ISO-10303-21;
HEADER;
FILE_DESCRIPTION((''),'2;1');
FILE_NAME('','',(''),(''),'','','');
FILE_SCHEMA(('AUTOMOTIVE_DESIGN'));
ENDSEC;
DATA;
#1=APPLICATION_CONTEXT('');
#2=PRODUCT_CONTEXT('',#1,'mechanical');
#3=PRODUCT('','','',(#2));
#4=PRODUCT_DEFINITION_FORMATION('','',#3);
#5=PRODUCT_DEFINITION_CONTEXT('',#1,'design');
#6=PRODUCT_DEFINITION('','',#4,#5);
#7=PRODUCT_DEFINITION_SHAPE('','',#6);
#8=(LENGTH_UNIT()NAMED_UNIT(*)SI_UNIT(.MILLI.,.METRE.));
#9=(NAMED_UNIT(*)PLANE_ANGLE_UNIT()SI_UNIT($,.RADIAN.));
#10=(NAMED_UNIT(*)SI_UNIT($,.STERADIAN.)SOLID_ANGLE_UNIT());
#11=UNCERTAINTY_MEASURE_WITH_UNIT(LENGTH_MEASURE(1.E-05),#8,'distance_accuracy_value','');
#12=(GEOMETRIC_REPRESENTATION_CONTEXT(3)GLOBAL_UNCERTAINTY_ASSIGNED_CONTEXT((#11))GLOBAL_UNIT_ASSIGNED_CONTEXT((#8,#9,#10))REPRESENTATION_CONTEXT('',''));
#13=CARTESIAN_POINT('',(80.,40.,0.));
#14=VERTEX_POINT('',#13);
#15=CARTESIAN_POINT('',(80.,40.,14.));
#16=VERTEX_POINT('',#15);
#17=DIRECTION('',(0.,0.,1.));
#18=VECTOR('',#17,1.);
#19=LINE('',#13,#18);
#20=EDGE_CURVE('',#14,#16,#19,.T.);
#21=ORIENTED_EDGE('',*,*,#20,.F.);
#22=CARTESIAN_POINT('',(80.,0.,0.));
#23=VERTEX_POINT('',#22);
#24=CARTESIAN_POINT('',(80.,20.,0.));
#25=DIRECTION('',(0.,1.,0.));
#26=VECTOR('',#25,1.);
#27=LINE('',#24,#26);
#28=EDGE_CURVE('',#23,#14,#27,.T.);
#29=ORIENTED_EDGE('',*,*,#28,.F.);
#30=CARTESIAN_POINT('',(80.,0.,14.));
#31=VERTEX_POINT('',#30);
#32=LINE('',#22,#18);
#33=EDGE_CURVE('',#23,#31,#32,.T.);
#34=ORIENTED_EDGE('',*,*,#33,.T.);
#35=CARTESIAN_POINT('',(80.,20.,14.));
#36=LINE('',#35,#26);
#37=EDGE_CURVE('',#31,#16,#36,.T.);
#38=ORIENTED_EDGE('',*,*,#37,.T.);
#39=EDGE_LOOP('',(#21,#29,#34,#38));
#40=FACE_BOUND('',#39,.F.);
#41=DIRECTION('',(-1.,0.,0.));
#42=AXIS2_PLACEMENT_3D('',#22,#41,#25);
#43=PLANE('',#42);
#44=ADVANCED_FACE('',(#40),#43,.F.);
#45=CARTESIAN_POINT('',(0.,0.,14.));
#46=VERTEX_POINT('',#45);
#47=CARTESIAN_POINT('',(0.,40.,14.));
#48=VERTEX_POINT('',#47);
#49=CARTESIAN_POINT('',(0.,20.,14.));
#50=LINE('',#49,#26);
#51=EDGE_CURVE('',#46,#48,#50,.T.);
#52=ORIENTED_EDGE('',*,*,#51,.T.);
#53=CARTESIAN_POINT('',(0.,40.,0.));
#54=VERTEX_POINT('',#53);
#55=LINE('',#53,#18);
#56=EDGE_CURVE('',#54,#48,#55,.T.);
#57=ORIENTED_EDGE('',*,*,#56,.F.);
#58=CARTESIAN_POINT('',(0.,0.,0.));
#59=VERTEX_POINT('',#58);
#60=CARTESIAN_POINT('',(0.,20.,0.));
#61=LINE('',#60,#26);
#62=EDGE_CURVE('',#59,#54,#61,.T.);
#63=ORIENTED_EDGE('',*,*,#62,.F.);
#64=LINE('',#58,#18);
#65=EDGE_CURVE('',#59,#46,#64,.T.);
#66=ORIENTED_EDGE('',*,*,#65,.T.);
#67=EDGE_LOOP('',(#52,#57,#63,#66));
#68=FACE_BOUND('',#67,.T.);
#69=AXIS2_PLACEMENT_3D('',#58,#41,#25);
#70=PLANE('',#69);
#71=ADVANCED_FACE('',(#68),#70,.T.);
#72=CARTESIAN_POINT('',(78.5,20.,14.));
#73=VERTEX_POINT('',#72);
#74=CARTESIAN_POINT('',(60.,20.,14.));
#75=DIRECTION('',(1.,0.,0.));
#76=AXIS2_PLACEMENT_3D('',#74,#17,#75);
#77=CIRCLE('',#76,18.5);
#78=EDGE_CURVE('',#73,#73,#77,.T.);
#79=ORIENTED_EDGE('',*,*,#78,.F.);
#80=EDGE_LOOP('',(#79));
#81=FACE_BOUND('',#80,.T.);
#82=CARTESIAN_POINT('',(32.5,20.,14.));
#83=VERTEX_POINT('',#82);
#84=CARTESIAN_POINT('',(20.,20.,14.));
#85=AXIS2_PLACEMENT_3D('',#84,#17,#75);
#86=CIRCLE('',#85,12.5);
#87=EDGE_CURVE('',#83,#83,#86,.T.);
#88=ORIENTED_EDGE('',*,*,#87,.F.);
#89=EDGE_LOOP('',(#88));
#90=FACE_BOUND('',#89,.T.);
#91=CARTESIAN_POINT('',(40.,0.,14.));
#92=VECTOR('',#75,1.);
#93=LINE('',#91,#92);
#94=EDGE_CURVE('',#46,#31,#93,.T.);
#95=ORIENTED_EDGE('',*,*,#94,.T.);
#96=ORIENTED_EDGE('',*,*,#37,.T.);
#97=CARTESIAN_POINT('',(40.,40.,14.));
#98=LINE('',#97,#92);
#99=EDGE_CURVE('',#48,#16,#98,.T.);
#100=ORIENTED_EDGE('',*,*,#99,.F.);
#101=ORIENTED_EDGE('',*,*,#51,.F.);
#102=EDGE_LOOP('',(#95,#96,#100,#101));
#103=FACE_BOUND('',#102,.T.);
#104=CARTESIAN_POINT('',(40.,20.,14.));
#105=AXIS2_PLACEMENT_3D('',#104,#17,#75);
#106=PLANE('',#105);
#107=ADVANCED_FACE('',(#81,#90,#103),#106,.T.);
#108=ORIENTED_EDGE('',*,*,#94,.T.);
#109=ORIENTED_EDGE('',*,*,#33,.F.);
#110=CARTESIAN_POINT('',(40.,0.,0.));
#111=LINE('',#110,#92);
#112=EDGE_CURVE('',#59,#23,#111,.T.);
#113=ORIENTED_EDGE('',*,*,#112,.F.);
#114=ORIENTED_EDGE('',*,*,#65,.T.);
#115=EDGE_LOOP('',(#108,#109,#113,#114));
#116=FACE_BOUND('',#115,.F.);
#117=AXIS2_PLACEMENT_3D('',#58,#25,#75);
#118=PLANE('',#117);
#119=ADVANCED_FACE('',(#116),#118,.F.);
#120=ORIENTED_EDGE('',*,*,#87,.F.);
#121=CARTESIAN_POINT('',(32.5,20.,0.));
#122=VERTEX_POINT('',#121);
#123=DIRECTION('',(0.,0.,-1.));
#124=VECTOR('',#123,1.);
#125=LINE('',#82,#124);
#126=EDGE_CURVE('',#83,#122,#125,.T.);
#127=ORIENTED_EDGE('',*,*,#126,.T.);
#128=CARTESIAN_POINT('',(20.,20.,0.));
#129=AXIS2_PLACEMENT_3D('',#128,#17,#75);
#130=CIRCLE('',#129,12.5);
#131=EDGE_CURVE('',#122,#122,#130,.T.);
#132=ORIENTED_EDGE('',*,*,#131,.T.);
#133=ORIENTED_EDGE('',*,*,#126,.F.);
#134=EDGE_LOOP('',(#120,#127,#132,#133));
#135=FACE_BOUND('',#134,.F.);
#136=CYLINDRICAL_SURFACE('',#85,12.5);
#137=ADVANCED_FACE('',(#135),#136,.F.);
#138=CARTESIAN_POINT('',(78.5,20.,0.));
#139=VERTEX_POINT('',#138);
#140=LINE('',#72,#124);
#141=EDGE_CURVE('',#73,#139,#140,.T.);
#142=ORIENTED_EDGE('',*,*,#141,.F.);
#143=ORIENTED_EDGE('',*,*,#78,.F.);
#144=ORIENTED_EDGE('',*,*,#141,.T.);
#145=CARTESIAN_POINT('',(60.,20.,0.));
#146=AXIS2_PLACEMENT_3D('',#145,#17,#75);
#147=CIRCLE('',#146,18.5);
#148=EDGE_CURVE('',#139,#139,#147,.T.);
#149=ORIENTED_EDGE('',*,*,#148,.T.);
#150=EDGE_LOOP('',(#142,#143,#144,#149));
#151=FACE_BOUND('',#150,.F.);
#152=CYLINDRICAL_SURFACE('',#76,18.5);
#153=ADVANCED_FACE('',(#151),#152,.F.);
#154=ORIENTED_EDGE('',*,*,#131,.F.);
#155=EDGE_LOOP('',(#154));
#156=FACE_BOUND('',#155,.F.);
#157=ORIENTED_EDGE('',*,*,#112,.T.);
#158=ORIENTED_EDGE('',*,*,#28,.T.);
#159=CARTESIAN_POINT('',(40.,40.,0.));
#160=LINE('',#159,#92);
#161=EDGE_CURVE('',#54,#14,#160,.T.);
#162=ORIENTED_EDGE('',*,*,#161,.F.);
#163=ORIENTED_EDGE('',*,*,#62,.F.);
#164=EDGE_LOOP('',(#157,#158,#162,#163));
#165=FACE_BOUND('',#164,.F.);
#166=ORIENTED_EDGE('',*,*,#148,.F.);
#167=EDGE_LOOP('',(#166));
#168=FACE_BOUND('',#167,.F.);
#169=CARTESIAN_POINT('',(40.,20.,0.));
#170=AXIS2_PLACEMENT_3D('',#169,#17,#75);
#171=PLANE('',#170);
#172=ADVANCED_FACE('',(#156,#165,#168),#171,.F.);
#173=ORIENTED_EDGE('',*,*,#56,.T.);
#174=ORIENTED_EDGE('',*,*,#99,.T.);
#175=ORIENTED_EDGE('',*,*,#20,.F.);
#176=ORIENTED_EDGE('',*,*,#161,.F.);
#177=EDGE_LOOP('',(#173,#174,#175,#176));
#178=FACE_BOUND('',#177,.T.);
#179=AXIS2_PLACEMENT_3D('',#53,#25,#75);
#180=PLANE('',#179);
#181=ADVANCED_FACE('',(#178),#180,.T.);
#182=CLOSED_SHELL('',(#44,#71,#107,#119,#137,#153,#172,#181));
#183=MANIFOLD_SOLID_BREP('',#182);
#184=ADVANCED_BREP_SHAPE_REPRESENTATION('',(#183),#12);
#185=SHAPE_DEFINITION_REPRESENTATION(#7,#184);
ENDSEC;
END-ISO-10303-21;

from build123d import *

# Parameters (mm, degrees)
SKETCH_W        = 80
SKETCH_H        = 40
PAD_DEPTH       = 14
SKETCH001_R     = 12.5
POCKET_DEPTH    = 14.001
SKETCH002_R     = 18.5
POCKET001_DEPTH = 14.001


with BuildPart() as part:
    # Sketch → Pad (new body)
    with BuildSketch(Plane.XY):
        with Locations((40, 20)):
            Rectangle(SKETCH_W, SKETCH_H)
    extrude(amount=PAD_DEPTH)

    # Sketch001 (on Face6 of Pad) → Pocket (cut, through all)
    with BuildSketch(Plane.XY.offset(14)):
        with Locations((20, 20)):
            Circle(SKETCH001_R)
    extrude(amount=-POCKET_DEPTH, mode=Mode.SUBTRACT)

    # Sketch002 (on Face5 of Pocket) → Pocket001 (cut, through all)
    with BuildSketch(Plane.XY.offset(14)):
        with Locations((60, 20)):
            Circle(SKETCH002_R)
    extrude(amount=-POCKET001_DEPTH, mode=Mode.SUBTRACT)


solid = part.part
